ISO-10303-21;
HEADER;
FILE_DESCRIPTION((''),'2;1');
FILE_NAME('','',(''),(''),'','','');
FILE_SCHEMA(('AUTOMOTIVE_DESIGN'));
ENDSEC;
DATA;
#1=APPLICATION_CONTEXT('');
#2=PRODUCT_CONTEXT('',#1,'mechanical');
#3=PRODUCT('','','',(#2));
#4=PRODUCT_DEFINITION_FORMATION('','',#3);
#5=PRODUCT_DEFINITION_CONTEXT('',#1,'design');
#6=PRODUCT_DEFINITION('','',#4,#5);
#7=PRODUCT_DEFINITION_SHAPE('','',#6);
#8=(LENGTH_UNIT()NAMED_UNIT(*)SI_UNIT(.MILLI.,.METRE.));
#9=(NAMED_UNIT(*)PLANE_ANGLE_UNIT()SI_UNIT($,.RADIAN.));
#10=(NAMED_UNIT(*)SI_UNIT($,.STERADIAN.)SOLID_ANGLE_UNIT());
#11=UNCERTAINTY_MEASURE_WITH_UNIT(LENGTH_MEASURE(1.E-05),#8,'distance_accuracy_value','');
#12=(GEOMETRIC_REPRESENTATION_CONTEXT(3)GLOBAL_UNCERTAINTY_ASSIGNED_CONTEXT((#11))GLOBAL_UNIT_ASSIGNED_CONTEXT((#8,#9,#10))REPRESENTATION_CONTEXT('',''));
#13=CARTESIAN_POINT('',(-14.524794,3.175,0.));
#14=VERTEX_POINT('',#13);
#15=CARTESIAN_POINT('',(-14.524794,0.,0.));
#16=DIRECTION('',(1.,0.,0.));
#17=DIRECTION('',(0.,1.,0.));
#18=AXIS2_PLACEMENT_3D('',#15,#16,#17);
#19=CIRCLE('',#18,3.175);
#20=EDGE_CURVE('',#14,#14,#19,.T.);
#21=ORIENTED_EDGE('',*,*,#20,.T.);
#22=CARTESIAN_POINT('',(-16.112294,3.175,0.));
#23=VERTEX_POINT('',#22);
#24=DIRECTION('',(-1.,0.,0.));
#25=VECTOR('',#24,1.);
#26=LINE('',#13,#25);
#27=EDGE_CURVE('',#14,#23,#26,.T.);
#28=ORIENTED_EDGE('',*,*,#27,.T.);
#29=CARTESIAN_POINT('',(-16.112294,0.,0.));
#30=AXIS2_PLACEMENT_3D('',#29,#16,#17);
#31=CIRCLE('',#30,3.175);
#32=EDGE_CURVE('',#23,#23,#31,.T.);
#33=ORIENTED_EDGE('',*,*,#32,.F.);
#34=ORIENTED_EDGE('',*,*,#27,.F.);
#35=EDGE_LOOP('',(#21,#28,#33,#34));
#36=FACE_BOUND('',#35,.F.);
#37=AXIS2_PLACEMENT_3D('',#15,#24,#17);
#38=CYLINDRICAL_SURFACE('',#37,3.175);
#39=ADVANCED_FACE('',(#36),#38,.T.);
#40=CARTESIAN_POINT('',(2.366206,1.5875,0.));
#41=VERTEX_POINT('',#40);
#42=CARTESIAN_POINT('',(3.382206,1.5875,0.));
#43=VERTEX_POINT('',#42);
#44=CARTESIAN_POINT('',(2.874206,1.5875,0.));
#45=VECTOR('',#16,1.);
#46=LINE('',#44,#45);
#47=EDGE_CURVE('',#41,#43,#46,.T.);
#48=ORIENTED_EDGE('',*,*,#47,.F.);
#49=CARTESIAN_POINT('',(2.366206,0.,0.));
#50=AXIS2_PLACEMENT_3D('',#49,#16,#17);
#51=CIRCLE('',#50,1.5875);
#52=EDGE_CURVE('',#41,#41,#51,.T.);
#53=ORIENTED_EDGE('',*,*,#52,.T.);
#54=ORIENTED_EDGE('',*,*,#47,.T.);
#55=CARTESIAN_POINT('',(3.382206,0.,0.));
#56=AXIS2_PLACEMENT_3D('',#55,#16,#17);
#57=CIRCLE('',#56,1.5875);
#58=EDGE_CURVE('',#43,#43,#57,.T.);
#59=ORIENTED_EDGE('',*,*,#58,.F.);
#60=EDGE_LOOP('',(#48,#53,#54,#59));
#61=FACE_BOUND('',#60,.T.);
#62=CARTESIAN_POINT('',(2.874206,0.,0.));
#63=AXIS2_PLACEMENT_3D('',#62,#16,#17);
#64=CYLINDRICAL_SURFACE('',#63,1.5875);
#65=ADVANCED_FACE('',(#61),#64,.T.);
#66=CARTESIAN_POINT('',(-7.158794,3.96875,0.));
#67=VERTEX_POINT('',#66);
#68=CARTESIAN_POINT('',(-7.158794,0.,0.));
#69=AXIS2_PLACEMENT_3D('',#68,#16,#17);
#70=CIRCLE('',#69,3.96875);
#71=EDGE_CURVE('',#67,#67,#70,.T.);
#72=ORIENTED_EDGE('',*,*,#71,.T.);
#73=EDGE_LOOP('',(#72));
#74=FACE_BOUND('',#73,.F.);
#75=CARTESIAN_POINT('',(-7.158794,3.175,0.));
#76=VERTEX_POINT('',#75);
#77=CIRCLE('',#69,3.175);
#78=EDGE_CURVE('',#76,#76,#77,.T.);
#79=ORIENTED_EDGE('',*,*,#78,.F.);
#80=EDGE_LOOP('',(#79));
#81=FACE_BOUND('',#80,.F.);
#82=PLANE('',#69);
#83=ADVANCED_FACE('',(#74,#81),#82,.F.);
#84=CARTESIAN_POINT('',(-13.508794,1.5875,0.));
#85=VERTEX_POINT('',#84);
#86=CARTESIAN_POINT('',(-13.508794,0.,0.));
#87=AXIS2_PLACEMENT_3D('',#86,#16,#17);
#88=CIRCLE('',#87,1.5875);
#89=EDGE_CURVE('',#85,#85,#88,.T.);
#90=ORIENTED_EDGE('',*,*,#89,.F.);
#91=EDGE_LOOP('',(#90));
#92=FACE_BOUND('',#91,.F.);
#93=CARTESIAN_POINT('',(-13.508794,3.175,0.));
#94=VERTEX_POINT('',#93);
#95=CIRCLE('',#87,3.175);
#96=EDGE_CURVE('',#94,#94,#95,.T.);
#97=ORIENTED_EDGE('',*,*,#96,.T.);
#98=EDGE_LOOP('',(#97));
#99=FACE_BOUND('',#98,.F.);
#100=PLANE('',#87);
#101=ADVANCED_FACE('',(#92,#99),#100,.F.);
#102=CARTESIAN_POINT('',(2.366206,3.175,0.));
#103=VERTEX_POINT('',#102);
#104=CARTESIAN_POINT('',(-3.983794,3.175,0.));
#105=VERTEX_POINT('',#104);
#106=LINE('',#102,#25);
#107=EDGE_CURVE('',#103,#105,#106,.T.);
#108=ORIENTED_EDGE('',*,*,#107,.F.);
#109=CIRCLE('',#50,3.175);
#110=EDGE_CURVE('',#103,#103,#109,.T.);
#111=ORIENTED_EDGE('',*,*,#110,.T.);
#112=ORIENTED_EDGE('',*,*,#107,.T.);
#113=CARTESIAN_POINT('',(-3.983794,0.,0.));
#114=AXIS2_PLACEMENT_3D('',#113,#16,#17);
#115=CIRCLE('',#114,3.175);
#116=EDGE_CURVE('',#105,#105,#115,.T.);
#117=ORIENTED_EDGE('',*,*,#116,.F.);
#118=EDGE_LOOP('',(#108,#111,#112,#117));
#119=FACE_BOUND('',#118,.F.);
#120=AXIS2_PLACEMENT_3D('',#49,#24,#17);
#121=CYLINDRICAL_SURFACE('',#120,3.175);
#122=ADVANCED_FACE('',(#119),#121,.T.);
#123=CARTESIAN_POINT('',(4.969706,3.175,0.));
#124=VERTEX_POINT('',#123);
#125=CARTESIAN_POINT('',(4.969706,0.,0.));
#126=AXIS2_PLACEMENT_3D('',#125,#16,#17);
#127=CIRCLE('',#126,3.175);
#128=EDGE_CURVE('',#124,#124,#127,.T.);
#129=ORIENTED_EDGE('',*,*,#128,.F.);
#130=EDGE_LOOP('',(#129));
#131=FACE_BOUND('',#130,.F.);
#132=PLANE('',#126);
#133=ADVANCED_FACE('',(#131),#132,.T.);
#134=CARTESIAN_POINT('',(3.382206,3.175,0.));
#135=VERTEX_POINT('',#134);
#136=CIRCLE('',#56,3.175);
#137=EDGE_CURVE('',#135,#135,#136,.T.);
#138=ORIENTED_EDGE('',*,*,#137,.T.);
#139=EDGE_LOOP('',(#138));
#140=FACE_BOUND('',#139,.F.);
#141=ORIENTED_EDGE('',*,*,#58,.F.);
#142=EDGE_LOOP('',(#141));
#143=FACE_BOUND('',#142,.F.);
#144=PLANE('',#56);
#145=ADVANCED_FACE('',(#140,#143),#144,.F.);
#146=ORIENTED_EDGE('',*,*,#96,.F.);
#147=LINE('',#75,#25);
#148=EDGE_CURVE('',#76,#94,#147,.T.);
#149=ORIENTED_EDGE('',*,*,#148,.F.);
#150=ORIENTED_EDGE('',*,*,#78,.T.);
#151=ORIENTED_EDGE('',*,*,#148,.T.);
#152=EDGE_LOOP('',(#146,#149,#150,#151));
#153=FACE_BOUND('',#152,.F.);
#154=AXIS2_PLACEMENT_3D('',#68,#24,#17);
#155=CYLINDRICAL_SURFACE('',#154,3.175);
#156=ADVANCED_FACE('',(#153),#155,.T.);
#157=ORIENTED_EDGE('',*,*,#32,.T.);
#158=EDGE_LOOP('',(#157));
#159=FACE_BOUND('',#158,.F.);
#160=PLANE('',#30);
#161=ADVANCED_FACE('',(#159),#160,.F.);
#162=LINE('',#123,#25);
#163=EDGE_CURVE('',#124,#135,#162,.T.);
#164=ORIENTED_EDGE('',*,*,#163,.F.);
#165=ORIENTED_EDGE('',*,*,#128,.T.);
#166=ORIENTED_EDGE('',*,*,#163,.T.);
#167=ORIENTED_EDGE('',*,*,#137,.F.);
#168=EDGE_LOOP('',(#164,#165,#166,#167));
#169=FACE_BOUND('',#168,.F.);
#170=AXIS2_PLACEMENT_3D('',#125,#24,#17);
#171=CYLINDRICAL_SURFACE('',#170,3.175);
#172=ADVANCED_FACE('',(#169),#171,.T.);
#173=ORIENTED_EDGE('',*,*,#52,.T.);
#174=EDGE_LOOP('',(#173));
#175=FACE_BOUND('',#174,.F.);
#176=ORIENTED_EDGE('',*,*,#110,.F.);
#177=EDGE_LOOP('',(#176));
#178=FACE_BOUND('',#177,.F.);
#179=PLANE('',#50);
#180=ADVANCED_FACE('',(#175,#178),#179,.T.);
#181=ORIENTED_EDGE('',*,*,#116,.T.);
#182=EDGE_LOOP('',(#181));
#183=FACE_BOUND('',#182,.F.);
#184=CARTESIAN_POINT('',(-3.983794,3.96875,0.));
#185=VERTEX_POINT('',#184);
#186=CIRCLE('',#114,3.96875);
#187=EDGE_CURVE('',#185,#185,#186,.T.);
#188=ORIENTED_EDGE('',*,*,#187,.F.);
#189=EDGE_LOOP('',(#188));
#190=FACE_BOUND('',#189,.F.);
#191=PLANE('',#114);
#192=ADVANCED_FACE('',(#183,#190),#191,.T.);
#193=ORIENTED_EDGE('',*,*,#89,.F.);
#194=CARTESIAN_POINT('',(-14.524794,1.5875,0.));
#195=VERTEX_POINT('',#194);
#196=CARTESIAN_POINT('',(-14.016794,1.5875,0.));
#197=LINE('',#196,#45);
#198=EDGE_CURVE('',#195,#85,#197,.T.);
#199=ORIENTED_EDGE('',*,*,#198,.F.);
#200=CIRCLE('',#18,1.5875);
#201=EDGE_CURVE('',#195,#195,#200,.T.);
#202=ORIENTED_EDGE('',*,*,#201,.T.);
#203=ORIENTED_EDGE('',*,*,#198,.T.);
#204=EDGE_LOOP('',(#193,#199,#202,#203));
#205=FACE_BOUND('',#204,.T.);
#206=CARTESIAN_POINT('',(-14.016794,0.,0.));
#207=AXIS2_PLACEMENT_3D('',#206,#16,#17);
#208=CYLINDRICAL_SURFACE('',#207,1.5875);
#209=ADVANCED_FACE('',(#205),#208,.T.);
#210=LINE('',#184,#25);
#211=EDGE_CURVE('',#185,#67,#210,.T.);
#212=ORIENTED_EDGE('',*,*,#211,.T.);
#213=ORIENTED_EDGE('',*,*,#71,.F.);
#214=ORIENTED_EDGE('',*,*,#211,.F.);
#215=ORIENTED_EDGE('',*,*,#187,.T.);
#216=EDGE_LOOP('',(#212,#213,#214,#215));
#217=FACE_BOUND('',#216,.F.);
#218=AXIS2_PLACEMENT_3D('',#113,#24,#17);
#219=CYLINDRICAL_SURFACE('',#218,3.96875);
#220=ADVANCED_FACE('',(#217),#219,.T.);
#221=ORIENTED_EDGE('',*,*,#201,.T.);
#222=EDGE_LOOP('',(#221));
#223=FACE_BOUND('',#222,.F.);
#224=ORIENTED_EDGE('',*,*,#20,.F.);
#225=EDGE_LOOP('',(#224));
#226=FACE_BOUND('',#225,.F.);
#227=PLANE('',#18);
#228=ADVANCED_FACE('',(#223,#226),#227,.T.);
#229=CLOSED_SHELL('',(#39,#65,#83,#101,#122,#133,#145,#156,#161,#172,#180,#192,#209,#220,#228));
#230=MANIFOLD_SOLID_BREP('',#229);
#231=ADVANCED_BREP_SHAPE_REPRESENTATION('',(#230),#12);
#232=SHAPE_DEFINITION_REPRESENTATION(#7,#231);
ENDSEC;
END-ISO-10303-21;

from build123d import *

# Parameters (mm, degrees)
F0_W = 1.016
F0_H = 1.5875


with BuildPart() as f1:
    # F0 (on Top) → F1 (revolve)
    with BuildSketch(Plane.XY):
        Polygon((-16.112294, 3.175), (-16.112294, 0), (-14.524794, 0), (-14.524794, 1.5875), (-14.524794, 3.175), align=None)
        with Locations((-14.016794, 0.79375)):
            Rectangle(F0_W, F0_H)
        Polygon((-13.508794, 1.5875), (-13.508794, 0), (-7.158794, 0), (-7.158794, 3.175), (-13.508794, 3.175), align=None)
        Polygon((-7.158794, 3.175), (-7.158794, 0), (-3.983794, 0), (-3.983794, 3.175), (-3.983794, 3.96875), (-7.158794, 3.96875), align=None)
        Polygon((-3.983794, 3.175), (-3.983794, 0), (2.366206, 0), (2.366206, 1.5875), (2.366206, 3.175), align=None)
        with Locations((2.874206, 0.79375)):
            Rectangle(F0_W, F0_H)
        Polygon((3.382206, 1.5875), (3.382206, 0), (4.969706, 0), (4.969706, 3.175), (3.382206, 3.175), align=None)
    revolve(axis=Axis((-5.571294, 0, 0), (1, 0, 0)))


solid = f1.part
